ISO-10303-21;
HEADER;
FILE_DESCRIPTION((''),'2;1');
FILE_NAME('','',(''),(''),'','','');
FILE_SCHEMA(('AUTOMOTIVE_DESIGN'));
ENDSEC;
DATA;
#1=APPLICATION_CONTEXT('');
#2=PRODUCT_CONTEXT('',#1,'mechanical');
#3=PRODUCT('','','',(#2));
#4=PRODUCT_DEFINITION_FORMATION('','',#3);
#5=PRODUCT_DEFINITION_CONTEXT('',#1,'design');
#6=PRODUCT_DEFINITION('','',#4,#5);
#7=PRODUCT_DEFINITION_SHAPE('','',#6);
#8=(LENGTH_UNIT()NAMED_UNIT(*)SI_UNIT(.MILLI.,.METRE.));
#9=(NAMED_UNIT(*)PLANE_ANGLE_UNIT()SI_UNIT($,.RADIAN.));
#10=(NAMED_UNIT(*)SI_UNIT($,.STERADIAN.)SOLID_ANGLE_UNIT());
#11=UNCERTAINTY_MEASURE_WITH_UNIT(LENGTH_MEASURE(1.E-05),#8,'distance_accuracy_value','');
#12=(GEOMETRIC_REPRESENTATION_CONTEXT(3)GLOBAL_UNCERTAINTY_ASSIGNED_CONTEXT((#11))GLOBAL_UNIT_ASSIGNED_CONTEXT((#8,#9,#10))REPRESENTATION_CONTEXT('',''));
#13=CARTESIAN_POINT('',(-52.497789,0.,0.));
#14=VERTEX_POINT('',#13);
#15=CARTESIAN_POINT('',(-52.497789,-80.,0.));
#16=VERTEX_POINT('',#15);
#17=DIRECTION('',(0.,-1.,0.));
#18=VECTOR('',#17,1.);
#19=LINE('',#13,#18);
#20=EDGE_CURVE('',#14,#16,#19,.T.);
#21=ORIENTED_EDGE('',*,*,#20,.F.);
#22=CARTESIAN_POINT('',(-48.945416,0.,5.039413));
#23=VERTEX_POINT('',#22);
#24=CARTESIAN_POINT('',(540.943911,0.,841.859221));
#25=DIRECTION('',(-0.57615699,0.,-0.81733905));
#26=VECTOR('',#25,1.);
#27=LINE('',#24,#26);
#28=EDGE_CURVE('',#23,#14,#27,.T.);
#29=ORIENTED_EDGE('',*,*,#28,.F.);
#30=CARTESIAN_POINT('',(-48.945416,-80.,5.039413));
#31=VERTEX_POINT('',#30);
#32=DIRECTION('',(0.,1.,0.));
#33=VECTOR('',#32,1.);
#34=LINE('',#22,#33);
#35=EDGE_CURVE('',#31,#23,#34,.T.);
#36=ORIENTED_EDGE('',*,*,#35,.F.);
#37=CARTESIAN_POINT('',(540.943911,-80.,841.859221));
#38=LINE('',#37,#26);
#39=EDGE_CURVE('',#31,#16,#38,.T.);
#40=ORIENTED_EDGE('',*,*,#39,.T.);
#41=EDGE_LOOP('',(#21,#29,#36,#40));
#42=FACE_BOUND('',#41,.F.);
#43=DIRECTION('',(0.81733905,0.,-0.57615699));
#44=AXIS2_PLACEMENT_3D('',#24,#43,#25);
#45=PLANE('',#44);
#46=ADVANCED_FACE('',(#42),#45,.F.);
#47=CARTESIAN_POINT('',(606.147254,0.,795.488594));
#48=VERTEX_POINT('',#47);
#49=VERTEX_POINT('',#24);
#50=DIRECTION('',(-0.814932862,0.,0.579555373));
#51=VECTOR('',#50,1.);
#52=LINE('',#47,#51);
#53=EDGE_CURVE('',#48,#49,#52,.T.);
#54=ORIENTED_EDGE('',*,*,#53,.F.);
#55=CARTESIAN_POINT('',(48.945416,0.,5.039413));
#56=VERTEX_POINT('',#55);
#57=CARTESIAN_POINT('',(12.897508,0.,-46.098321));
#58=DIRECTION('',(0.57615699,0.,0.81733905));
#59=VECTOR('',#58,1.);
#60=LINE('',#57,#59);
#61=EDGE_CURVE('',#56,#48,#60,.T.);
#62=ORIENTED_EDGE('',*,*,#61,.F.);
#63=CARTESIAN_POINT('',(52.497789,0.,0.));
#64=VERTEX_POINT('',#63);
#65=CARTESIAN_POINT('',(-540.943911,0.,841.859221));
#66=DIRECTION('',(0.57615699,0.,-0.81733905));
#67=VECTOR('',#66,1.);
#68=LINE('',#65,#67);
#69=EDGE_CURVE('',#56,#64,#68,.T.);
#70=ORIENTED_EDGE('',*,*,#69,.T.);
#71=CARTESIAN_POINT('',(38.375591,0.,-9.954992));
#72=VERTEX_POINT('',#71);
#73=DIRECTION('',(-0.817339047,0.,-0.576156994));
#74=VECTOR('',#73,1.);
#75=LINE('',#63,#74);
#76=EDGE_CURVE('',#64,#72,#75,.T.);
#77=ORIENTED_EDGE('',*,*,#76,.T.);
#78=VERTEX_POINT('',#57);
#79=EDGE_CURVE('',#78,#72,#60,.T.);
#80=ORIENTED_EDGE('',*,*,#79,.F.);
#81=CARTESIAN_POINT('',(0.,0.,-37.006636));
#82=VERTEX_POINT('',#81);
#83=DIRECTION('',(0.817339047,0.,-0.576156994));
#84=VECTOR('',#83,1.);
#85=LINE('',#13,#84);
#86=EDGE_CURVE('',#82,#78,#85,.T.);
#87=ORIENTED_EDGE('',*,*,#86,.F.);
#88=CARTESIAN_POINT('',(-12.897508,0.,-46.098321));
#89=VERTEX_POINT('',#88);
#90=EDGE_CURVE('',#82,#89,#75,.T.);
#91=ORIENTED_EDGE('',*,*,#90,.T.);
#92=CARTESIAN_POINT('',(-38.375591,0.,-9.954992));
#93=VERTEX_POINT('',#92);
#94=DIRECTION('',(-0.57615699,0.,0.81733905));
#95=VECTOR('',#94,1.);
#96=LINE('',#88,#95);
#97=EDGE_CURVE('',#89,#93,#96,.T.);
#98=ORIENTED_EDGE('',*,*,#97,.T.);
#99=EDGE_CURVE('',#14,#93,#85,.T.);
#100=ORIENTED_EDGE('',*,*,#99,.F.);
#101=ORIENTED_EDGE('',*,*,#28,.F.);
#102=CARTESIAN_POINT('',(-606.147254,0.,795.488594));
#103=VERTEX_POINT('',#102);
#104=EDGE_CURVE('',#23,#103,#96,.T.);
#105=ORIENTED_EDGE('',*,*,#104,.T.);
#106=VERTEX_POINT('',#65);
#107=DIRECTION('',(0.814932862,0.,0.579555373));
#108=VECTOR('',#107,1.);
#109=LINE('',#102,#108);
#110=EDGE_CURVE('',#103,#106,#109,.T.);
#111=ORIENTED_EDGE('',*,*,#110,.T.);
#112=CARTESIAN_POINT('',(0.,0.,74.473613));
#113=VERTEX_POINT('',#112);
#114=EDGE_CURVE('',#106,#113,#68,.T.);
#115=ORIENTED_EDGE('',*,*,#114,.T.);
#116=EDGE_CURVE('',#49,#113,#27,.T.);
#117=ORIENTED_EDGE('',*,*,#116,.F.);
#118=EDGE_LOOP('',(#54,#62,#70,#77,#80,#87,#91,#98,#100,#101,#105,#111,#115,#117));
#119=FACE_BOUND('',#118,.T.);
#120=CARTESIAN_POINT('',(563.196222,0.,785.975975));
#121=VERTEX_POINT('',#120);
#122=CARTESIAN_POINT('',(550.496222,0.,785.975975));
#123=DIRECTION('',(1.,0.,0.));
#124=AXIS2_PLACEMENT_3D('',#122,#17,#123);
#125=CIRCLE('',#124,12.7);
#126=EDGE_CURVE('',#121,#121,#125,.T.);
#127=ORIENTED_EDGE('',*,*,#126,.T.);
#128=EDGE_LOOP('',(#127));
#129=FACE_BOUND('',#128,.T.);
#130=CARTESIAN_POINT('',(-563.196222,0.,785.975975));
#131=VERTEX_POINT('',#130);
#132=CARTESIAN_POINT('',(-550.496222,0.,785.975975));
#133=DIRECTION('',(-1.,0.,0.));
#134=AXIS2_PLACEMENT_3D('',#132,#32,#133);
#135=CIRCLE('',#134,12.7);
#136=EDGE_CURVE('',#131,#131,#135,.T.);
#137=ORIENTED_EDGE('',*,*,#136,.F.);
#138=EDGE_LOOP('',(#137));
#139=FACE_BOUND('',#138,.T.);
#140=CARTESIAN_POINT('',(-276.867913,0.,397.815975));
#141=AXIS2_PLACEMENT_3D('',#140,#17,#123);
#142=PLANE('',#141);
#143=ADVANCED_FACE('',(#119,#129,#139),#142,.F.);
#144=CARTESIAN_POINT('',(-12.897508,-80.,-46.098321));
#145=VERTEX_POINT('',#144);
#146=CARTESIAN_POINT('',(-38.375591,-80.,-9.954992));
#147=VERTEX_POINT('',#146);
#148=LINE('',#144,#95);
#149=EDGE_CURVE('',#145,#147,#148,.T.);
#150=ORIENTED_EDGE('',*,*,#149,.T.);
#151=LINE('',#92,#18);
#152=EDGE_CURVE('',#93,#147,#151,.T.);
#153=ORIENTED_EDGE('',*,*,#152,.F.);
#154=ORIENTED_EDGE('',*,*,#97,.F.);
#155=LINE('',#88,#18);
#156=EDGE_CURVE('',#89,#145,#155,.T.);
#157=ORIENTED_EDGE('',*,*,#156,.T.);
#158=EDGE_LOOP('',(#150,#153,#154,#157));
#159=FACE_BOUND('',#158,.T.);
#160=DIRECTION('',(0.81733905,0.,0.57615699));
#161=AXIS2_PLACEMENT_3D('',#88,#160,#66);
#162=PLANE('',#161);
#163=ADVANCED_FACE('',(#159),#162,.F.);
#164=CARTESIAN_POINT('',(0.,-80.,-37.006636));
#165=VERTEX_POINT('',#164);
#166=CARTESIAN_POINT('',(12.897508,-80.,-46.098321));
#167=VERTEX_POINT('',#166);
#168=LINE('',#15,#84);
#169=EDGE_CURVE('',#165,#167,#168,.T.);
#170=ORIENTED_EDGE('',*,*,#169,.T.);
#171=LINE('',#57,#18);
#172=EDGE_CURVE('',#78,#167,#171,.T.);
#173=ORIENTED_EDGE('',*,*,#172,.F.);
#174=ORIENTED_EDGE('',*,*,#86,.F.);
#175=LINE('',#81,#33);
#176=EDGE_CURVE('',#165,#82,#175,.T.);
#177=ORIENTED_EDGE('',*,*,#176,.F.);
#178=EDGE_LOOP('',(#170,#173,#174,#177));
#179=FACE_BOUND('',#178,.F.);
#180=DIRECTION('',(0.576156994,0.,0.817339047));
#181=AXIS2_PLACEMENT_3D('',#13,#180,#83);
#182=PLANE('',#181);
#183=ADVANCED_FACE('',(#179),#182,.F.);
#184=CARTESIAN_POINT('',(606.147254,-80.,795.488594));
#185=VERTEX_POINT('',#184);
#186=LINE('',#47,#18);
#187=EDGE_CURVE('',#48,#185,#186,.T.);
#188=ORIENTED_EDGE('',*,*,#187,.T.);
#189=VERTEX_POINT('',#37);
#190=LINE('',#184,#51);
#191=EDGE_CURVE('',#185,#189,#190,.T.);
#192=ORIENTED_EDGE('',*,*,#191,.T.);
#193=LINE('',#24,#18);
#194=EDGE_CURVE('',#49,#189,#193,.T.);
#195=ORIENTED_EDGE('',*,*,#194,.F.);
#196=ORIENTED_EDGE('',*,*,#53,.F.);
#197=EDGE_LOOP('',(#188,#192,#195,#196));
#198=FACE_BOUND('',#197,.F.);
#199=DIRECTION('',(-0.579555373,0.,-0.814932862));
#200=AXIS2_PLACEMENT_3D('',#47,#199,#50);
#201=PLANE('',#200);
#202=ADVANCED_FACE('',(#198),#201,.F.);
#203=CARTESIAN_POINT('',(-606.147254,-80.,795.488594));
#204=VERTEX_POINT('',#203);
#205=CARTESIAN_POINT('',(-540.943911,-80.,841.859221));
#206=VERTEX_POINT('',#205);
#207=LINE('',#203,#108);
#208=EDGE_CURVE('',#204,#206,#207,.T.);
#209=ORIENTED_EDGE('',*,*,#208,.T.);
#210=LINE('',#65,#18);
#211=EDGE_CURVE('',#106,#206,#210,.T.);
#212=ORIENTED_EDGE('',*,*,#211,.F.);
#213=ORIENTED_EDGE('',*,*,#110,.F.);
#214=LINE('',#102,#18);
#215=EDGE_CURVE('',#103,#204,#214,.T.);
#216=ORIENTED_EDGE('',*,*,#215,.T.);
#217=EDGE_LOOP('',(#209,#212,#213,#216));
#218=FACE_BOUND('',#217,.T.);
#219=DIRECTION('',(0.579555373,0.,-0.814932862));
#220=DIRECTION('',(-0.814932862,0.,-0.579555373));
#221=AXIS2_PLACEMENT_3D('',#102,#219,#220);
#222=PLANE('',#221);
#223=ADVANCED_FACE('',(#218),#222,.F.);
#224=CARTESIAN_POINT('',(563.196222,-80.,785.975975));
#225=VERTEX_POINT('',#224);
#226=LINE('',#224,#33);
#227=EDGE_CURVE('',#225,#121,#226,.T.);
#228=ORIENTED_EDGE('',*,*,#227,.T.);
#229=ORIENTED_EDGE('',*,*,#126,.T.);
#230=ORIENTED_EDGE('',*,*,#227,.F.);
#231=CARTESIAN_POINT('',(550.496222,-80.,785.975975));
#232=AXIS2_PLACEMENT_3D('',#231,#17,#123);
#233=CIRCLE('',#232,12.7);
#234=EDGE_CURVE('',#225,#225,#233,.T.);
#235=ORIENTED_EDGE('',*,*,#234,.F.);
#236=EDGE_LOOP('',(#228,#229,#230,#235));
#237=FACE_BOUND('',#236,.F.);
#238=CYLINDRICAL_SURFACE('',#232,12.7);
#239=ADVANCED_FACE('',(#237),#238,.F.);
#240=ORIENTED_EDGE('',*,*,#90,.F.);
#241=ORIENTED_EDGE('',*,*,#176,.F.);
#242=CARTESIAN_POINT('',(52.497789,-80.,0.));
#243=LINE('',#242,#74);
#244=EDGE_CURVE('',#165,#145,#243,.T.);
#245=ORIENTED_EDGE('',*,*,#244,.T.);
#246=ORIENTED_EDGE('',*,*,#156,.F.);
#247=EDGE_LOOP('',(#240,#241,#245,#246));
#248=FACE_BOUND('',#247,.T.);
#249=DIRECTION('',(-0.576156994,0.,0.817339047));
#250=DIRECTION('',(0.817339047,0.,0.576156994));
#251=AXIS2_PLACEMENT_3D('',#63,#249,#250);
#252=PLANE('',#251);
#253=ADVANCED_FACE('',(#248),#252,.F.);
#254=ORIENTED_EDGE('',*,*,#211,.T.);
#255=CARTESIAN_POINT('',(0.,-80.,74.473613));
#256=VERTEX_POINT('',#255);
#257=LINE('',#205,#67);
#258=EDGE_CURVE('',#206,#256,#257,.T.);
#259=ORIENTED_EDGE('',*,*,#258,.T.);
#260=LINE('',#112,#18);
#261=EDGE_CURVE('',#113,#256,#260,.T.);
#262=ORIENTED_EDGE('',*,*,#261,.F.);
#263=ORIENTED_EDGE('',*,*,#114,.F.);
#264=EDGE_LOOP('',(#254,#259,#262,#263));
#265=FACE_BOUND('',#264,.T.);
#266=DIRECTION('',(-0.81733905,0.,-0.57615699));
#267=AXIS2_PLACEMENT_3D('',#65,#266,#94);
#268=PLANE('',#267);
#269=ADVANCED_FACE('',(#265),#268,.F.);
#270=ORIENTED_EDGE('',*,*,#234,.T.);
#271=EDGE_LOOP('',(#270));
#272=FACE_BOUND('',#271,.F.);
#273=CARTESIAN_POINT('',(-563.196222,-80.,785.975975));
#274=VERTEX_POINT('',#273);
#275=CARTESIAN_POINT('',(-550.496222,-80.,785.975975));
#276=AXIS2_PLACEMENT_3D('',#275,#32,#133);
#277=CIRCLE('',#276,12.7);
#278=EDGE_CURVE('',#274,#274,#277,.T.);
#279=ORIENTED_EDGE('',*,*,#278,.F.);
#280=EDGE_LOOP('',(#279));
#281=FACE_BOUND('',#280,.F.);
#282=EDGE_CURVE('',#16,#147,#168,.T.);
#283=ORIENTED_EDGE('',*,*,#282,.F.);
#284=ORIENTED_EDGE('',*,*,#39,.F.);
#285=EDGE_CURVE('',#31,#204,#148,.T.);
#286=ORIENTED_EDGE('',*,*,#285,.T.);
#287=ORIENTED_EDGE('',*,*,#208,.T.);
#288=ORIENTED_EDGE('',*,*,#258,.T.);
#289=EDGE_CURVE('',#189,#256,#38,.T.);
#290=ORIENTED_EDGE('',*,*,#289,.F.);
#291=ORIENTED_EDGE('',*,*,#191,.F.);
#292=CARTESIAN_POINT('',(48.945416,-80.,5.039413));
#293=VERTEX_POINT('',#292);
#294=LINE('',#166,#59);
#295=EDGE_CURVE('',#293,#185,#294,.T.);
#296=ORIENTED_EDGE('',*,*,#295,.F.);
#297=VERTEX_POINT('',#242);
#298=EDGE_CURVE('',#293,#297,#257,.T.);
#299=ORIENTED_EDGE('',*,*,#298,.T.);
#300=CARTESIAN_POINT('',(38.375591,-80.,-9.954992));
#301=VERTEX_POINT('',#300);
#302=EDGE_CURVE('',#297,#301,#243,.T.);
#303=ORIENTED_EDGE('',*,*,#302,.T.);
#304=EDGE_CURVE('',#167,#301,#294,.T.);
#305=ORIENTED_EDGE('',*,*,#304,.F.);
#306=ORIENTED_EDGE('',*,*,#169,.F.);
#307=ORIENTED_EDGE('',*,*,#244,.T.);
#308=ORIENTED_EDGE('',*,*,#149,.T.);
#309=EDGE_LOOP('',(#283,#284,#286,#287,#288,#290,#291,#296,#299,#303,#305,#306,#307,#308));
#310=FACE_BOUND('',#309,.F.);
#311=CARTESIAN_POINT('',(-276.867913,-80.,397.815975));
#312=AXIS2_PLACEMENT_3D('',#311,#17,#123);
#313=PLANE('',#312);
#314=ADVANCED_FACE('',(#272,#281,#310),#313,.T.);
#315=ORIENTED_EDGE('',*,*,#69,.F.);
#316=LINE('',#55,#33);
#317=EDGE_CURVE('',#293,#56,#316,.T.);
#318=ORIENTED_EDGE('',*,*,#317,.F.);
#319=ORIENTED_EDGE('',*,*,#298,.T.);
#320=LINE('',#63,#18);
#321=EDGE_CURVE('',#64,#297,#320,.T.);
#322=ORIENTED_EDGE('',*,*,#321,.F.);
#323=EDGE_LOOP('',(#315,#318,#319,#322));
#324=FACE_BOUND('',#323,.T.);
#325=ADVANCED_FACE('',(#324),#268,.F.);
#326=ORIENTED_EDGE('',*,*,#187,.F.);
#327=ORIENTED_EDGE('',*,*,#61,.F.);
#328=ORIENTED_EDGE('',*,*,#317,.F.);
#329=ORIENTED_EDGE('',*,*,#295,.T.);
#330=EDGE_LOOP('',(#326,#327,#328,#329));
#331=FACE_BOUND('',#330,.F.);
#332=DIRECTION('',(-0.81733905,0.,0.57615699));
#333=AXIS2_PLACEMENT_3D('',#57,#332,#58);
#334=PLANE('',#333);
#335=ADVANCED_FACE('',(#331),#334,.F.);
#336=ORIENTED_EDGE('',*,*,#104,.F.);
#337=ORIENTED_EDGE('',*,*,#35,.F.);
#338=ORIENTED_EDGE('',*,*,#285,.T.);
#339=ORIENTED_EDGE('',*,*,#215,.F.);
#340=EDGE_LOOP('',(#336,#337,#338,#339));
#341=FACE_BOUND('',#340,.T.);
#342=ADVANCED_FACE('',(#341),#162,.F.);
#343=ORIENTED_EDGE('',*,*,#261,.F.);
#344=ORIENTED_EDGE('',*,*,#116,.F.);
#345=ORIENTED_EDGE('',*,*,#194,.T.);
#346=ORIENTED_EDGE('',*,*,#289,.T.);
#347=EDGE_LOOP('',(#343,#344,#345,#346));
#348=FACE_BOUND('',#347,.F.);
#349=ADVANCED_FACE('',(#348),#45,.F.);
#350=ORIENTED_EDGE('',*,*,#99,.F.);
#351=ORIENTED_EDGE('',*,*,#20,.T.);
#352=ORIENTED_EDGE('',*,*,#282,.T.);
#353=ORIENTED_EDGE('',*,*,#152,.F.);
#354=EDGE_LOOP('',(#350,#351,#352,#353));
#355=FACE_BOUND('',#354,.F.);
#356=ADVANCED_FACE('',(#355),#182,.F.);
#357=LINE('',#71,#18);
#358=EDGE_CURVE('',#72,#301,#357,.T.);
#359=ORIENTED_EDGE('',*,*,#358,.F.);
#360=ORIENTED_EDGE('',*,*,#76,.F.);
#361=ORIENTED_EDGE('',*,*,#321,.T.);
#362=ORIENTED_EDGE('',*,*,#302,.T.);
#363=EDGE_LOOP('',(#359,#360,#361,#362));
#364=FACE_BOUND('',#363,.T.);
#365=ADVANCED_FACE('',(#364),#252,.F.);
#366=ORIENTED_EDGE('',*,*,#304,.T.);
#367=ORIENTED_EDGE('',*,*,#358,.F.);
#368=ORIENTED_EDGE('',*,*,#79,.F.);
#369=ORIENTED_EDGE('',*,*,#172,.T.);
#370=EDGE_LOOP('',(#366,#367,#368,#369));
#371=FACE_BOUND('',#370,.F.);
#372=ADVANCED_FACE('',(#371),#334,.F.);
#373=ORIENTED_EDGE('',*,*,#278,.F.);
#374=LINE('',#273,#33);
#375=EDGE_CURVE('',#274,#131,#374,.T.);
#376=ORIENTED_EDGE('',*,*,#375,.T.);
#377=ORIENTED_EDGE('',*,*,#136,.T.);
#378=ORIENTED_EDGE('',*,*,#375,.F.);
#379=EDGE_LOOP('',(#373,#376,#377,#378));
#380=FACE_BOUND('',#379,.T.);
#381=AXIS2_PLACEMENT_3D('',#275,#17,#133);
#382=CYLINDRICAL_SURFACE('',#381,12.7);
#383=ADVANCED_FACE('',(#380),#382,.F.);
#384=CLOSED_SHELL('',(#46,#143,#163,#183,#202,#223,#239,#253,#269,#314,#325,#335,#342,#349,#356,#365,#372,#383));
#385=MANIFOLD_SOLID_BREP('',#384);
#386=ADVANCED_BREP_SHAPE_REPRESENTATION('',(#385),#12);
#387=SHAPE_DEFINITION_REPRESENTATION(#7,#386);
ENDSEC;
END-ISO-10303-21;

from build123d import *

# Parameters (mm, degrees)
F1_DEPTH = 80
F2_R     = 12.7
F3_DEPTH = 80


with BuildPart() as f1:
    # F0 (on Front) → F1 (new body)
    with BuildSketch(Plane.XZ):
        Polygon((540.943911, 841.859221), (-52.497789, 0), (12.897508, -46.098321), (606.147254, 795.488594), align=None)
    extrude(amount=F1_DEPTH)

    # F2 (on face) → F3 (cut, through all)
    with BuildSketch(Plane.XZ.offset(80)):
        with Locations((550.496222, 785.975975)):
            Circle(F2_R)
    extrude(amount=-F3_DEPTH, mode=Mode.SUBTRACT)

    # F4: F1 across plane


with BuildPart() as f1_1:
    add(f1.part)
    add(f1.part.mirror(Plane.YZ))


solid = f1_1.part
